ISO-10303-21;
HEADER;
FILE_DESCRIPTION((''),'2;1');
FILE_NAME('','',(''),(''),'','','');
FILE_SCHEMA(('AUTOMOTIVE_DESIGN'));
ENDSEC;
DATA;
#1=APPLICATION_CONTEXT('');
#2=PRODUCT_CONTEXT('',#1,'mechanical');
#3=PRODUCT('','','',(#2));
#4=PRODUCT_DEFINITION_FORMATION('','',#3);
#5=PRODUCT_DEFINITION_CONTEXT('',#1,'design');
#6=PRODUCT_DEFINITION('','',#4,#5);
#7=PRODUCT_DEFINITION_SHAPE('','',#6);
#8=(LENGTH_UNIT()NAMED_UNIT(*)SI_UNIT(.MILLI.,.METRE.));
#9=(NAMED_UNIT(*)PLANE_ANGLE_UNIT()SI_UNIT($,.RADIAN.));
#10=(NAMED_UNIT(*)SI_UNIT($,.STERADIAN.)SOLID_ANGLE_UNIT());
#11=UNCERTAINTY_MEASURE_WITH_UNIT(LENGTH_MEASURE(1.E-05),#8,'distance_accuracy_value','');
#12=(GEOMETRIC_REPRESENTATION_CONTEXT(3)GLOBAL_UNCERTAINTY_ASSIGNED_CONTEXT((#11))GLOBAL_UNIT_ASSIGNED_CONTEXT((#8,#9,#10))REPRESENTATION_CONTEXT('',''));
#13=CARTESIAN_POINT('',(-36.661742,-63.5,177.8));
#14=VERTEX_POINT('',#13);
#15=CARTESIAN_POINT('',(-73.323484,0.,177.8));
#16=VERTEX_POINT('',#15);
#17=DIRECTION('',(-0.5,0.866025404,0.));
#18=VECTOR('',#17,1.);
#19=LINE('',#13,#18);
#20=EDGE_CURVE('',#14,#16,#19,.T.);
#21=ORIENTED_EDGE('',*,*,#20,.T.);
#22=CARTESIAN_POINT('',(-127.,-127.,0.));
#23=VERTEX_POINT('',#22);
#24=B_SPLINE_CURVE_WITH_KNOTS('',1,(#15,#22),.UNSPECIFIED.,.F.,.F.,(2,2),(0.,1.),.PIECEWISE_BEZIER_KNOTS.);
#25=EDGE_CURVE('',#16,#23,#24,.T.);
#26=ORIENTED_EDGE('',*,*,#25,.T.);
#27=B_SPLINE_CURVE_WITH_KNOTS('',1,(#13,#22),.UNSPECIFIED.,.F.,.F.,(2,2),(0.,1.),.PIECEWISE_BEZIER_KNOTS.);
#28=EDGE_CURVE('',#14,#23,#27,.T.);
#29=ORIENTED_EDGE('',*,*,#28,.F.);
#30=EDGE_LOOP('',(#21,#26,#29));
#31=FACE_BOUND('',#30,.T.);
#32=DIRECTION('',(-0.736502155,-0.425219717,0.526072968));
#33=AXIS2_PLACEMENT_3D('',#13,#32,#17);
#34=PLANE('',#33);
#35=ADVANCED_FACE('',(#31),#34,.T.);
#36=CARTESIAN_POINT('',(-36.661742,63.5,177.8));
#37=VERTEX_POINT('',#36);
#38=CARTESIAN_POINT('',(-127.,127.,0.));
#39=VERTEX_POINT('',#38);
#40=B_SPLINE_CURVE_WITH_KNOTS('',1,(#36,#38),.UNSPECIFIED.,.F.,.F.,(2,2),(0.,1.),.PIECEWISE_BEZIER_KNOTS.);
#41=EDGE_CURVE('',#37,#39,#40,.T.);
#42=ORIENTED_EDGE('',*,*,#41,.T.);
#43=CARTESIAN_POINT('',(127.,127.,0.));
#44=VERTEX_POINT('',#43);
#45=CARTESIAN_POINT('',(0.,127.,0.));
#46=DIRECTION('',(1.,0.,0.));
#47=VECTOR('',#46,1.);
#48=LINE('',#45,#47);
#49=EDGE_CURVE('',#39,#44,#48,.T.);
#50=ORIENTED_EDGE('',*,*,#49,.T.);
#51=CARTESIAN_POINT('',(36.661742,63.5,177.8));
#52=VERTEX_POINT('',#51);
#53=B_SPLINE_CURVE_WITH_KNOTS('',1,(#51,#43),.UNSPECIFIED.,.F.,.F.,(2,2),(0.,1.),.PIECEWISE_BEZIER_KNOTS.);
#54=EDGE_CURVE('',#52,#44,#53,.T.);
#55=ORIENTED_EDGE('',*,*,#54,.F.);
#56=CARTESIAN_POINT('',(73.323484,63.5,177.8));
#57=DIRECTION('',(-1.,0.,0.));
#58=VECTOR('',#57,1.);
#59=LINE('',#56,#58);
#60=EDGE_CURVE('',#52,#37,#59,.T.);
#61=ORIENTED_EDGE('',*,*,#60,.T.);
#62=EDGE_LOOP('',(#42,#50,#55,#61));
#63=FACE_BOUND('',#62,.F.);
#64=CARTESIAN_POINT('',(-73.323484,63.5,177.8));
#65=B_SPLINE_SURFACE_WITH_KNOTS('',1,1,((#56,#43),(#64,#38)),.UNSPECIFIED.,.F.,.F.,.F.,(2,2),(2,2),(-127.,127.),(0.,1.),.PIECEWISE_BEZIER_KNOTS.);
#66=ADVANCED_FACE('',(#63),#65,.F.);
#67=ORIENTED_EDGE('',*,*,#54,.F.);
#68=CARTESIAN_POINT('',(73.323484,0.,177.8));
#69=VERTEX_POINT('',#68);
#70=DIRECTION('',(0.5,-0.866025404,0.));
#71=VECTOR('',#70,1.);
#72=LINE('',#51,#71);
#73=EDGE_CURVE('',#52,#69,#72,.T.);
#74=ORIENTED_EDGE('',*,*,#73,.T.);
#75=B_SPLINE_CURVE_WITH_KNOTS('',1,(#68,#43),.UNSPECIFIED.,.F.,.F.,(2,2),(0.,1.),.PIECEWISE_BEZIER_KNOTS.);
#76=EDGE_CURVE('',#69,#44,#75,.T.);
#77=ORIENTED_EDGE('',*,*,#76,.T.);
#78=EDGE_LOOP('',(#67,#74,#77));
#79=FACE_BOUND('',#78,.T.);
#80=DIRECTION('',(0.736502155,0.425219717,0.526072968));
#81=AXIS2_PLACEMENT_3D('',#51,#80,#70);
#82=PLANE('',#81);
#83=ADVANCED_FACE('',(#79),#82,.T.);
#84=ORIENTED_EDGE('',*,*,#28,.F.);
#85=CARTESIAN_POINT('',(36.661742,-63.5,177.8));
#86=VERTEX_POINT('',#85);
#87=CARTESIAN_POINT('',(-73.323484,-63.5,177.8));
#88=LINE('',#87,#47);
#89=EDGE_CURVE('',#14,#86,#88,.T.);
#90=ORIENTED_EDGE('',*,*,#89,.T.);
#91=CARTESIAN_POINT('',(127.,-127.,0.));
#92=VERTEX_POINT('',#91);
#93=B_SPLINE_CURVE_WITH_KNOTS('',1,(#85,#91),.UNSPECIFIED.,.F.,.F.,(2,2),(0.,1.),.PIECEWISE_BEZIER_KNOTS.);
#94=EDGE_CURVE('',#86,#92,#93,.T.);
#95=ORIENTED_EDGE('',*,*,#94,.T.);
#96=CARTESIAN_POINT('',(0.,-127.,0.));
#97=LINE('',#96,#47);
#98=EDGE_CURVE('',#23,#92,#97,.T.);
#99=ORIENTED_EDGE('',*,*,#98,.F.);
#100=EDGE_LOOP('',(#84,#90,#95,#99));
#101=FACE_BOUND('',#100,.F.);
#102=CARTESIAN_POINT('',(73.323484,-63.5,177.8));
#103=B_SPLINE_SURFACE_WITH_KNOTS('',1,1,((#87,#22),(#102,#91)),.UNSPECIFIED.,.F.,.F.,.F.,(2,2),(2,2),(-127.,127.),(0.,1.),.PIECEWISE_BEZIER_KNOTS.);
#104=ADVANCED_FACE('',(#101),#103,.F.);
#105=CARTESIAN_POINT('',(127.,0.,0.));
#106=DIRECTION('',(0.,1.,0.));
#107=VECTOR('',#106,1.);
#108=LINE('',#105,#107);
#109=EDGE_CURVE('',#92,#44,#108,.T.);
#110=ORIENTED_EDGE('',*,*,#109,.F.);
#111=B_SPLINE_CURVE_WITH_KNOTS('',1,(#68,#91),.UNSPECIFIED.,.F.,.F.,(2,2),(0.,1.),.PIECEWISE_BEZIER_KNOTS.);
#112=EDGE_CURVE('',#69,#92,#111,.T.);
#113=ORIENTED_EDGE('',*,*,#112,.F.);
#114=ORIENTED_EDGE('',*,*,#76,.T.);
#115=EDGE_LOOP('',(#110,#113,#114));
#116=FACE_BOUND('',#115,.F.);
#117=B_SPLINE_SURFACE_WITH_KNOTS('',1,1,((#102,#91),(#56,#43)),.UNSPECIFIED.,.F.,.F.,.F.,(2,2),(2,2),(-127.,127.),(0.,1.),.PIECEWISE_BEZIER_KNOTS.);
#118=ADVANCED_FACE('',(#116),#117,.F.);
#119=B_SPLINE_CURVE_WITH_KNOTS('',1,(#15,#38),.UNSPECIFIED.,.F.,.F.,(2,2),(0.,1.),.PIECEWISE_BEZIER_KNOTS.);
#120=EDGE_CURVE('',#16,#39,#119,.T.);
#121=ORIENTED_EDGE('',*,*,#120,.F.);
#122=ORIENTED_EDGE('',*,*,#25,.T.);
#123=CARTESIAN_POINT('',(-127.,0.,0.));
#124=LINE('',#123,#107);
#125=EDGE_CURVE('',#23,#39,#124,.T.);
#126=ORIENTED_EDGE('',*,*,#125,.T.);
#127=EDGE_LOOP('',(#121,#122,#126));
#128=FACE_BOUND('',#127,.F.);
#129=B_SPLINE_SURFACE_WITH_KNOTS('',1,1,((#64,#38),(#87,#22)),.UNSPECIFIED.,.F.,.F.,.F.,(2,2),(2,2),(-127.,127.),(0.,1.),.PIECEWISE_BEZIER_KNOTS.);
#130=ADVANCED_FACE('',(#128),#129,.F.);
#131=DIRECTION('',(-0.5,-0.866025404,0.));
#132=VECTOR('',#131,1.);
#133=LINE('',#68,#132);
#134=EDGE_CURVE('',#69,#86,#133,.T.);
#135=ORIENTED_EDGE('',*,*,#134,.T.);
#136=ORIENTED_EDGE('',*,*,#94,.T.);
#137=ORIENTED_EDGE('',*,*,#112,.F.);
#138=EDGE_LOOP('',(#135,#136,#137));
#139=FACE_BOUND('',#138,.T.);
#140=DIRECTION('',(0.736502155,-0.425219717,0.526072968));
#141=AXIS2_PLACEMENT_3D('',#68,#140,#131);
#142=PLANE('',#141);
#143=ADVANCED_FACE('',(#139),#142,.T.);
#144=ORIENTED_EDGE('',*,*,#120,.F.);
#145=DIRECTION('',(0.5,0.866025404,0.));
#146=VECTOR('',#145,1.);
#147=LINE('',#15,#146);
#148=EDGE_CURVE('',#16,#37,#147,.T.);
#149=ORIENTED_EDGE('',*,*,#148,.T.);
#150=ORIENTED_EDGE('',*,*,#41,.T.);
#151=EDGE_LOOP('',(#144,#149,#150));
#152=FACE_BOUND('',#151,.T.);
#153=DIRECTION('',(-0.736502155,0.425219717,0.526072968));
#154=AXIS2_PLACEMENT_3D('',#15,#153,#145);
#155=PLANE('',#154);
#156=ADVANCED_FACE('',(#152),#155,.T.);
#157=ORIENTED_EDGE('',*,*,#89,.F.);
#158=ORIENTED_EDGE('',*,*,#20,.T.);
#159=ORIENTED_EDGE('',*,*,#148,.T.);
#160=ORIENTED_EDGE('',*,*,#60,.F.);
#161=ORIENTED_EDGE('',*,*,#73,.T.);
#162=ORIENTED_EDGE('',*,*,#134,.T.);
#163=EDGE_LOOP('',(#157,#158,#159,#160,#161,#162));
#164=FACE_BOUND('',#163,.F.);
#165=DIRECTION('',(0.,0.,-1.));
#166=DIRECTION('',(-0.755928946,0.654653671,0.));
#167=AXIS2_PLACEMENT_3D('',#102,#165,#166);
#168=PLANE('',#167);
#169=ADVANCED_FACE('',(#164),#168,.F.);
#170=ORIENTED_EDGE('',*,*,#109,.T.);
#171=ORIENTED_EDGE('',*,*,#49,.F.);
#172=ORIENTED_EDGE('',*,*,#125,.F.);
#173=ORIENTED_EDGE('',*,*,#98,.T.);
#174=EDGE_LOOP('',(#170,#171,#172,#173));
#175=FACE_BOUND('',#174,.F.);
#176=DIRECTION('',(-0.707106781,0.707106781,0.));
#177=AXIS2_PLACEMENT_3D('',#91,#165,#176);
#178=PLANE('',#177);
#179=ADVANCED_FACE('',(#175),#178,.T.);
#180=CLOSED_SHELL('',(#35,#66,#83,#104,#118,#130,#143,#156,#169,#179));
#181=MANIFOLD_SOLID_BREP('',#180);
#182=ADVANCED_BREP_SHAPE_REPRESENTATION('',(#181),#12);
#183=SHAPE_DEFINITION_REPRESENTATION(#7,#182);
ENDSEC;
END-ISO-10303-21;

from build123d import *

# Parameters (mm, degrees)
F0_W = 254
F0_H = 254


with BuildPart() as f3:
    # F2 (on offset) → F3 section 0
    with BuildSketch(Plane.XY.offset(177.8)):
        Polygon((-36.6617420935, -63.5), (36.6617420935, -63.5), (73.3234841871, -63.5), (73.3234841871, 63.5), (36.6617420935, 63.5), (-36.6617420935, 63.5), (-73.3234841871, 63.5), (-73.3234841871, -63.5), align=None)
    # F0 (on Top) → F3 section 1
    with BuildSketch(Plane.XY):
        Rectangle(F0_W, F0_H)
    loft()


with BuildPart() as f5:
    # F4 (on offset) → F5 section 0
    with BuildSketch(Plane.XY.offset(177.8), mode=Mode.PRIVATE) as f5_s0:
        Polygon((36.6617420935, 63.5), (73.3234841871, 0), (73.3234841871, 63.5), align=None)
    loft([f5_s0.sketch, Vertex(127, 127, 0)])


with BuildPart() as f6:
    # F4 (on offset) → F6 section 0
    with BuildSketch(Plane.XY.offset(177.8), mode=Mode.PRIVATE) as f6_s0:
        Polygon((-73.3234841871, 63.5), (-73.3234841871, 0), (-36.6617420935, 63.5), align=None)
    loft([f6_s0.sketch, Vertex(-127, 127, 0)])


with BuildPart() as f7:
    # F4 (on offset) → F7 section 0
    with BuildSketch(Plane.XY.offset(177.8), mode=Mode.PRIVATE) as f7_s0:
        Polygon((-73.3234841871, -63.5), (-36.6617420935, -63.5), (-73.3234841871, 0), align=None)
    loft([f7_s0.sketch, Vertex(-127, -127, 0)])


with BuildPart() as f8:
    # F4 (on offset) → F8 section 0
    with BuildSketch(Plane.XY.offset(177.8), mode=Mode.PRIVATE) as f8_s0:
        Polygon((73.3234841871, 0), (36.6617420935, -63.5), (73.3234841871, -63.5), align=None)
    loft([f8_s0.sketch, Vertex(127, -127, 0)])


with BuildPart() as f3_1:
    add(f3.part)

    # F9: cut F5, F6, F7, F8
    add(f5.part, mode=Mode.SUBTRACT)
    add(f6.part, mode=Mode.SUBTRACT)
    add(f7.part, mode=Mode.SUBTRACT)
    add(f8.part, mode=Mode.SUBTRACT)


solid = f3_1.part
